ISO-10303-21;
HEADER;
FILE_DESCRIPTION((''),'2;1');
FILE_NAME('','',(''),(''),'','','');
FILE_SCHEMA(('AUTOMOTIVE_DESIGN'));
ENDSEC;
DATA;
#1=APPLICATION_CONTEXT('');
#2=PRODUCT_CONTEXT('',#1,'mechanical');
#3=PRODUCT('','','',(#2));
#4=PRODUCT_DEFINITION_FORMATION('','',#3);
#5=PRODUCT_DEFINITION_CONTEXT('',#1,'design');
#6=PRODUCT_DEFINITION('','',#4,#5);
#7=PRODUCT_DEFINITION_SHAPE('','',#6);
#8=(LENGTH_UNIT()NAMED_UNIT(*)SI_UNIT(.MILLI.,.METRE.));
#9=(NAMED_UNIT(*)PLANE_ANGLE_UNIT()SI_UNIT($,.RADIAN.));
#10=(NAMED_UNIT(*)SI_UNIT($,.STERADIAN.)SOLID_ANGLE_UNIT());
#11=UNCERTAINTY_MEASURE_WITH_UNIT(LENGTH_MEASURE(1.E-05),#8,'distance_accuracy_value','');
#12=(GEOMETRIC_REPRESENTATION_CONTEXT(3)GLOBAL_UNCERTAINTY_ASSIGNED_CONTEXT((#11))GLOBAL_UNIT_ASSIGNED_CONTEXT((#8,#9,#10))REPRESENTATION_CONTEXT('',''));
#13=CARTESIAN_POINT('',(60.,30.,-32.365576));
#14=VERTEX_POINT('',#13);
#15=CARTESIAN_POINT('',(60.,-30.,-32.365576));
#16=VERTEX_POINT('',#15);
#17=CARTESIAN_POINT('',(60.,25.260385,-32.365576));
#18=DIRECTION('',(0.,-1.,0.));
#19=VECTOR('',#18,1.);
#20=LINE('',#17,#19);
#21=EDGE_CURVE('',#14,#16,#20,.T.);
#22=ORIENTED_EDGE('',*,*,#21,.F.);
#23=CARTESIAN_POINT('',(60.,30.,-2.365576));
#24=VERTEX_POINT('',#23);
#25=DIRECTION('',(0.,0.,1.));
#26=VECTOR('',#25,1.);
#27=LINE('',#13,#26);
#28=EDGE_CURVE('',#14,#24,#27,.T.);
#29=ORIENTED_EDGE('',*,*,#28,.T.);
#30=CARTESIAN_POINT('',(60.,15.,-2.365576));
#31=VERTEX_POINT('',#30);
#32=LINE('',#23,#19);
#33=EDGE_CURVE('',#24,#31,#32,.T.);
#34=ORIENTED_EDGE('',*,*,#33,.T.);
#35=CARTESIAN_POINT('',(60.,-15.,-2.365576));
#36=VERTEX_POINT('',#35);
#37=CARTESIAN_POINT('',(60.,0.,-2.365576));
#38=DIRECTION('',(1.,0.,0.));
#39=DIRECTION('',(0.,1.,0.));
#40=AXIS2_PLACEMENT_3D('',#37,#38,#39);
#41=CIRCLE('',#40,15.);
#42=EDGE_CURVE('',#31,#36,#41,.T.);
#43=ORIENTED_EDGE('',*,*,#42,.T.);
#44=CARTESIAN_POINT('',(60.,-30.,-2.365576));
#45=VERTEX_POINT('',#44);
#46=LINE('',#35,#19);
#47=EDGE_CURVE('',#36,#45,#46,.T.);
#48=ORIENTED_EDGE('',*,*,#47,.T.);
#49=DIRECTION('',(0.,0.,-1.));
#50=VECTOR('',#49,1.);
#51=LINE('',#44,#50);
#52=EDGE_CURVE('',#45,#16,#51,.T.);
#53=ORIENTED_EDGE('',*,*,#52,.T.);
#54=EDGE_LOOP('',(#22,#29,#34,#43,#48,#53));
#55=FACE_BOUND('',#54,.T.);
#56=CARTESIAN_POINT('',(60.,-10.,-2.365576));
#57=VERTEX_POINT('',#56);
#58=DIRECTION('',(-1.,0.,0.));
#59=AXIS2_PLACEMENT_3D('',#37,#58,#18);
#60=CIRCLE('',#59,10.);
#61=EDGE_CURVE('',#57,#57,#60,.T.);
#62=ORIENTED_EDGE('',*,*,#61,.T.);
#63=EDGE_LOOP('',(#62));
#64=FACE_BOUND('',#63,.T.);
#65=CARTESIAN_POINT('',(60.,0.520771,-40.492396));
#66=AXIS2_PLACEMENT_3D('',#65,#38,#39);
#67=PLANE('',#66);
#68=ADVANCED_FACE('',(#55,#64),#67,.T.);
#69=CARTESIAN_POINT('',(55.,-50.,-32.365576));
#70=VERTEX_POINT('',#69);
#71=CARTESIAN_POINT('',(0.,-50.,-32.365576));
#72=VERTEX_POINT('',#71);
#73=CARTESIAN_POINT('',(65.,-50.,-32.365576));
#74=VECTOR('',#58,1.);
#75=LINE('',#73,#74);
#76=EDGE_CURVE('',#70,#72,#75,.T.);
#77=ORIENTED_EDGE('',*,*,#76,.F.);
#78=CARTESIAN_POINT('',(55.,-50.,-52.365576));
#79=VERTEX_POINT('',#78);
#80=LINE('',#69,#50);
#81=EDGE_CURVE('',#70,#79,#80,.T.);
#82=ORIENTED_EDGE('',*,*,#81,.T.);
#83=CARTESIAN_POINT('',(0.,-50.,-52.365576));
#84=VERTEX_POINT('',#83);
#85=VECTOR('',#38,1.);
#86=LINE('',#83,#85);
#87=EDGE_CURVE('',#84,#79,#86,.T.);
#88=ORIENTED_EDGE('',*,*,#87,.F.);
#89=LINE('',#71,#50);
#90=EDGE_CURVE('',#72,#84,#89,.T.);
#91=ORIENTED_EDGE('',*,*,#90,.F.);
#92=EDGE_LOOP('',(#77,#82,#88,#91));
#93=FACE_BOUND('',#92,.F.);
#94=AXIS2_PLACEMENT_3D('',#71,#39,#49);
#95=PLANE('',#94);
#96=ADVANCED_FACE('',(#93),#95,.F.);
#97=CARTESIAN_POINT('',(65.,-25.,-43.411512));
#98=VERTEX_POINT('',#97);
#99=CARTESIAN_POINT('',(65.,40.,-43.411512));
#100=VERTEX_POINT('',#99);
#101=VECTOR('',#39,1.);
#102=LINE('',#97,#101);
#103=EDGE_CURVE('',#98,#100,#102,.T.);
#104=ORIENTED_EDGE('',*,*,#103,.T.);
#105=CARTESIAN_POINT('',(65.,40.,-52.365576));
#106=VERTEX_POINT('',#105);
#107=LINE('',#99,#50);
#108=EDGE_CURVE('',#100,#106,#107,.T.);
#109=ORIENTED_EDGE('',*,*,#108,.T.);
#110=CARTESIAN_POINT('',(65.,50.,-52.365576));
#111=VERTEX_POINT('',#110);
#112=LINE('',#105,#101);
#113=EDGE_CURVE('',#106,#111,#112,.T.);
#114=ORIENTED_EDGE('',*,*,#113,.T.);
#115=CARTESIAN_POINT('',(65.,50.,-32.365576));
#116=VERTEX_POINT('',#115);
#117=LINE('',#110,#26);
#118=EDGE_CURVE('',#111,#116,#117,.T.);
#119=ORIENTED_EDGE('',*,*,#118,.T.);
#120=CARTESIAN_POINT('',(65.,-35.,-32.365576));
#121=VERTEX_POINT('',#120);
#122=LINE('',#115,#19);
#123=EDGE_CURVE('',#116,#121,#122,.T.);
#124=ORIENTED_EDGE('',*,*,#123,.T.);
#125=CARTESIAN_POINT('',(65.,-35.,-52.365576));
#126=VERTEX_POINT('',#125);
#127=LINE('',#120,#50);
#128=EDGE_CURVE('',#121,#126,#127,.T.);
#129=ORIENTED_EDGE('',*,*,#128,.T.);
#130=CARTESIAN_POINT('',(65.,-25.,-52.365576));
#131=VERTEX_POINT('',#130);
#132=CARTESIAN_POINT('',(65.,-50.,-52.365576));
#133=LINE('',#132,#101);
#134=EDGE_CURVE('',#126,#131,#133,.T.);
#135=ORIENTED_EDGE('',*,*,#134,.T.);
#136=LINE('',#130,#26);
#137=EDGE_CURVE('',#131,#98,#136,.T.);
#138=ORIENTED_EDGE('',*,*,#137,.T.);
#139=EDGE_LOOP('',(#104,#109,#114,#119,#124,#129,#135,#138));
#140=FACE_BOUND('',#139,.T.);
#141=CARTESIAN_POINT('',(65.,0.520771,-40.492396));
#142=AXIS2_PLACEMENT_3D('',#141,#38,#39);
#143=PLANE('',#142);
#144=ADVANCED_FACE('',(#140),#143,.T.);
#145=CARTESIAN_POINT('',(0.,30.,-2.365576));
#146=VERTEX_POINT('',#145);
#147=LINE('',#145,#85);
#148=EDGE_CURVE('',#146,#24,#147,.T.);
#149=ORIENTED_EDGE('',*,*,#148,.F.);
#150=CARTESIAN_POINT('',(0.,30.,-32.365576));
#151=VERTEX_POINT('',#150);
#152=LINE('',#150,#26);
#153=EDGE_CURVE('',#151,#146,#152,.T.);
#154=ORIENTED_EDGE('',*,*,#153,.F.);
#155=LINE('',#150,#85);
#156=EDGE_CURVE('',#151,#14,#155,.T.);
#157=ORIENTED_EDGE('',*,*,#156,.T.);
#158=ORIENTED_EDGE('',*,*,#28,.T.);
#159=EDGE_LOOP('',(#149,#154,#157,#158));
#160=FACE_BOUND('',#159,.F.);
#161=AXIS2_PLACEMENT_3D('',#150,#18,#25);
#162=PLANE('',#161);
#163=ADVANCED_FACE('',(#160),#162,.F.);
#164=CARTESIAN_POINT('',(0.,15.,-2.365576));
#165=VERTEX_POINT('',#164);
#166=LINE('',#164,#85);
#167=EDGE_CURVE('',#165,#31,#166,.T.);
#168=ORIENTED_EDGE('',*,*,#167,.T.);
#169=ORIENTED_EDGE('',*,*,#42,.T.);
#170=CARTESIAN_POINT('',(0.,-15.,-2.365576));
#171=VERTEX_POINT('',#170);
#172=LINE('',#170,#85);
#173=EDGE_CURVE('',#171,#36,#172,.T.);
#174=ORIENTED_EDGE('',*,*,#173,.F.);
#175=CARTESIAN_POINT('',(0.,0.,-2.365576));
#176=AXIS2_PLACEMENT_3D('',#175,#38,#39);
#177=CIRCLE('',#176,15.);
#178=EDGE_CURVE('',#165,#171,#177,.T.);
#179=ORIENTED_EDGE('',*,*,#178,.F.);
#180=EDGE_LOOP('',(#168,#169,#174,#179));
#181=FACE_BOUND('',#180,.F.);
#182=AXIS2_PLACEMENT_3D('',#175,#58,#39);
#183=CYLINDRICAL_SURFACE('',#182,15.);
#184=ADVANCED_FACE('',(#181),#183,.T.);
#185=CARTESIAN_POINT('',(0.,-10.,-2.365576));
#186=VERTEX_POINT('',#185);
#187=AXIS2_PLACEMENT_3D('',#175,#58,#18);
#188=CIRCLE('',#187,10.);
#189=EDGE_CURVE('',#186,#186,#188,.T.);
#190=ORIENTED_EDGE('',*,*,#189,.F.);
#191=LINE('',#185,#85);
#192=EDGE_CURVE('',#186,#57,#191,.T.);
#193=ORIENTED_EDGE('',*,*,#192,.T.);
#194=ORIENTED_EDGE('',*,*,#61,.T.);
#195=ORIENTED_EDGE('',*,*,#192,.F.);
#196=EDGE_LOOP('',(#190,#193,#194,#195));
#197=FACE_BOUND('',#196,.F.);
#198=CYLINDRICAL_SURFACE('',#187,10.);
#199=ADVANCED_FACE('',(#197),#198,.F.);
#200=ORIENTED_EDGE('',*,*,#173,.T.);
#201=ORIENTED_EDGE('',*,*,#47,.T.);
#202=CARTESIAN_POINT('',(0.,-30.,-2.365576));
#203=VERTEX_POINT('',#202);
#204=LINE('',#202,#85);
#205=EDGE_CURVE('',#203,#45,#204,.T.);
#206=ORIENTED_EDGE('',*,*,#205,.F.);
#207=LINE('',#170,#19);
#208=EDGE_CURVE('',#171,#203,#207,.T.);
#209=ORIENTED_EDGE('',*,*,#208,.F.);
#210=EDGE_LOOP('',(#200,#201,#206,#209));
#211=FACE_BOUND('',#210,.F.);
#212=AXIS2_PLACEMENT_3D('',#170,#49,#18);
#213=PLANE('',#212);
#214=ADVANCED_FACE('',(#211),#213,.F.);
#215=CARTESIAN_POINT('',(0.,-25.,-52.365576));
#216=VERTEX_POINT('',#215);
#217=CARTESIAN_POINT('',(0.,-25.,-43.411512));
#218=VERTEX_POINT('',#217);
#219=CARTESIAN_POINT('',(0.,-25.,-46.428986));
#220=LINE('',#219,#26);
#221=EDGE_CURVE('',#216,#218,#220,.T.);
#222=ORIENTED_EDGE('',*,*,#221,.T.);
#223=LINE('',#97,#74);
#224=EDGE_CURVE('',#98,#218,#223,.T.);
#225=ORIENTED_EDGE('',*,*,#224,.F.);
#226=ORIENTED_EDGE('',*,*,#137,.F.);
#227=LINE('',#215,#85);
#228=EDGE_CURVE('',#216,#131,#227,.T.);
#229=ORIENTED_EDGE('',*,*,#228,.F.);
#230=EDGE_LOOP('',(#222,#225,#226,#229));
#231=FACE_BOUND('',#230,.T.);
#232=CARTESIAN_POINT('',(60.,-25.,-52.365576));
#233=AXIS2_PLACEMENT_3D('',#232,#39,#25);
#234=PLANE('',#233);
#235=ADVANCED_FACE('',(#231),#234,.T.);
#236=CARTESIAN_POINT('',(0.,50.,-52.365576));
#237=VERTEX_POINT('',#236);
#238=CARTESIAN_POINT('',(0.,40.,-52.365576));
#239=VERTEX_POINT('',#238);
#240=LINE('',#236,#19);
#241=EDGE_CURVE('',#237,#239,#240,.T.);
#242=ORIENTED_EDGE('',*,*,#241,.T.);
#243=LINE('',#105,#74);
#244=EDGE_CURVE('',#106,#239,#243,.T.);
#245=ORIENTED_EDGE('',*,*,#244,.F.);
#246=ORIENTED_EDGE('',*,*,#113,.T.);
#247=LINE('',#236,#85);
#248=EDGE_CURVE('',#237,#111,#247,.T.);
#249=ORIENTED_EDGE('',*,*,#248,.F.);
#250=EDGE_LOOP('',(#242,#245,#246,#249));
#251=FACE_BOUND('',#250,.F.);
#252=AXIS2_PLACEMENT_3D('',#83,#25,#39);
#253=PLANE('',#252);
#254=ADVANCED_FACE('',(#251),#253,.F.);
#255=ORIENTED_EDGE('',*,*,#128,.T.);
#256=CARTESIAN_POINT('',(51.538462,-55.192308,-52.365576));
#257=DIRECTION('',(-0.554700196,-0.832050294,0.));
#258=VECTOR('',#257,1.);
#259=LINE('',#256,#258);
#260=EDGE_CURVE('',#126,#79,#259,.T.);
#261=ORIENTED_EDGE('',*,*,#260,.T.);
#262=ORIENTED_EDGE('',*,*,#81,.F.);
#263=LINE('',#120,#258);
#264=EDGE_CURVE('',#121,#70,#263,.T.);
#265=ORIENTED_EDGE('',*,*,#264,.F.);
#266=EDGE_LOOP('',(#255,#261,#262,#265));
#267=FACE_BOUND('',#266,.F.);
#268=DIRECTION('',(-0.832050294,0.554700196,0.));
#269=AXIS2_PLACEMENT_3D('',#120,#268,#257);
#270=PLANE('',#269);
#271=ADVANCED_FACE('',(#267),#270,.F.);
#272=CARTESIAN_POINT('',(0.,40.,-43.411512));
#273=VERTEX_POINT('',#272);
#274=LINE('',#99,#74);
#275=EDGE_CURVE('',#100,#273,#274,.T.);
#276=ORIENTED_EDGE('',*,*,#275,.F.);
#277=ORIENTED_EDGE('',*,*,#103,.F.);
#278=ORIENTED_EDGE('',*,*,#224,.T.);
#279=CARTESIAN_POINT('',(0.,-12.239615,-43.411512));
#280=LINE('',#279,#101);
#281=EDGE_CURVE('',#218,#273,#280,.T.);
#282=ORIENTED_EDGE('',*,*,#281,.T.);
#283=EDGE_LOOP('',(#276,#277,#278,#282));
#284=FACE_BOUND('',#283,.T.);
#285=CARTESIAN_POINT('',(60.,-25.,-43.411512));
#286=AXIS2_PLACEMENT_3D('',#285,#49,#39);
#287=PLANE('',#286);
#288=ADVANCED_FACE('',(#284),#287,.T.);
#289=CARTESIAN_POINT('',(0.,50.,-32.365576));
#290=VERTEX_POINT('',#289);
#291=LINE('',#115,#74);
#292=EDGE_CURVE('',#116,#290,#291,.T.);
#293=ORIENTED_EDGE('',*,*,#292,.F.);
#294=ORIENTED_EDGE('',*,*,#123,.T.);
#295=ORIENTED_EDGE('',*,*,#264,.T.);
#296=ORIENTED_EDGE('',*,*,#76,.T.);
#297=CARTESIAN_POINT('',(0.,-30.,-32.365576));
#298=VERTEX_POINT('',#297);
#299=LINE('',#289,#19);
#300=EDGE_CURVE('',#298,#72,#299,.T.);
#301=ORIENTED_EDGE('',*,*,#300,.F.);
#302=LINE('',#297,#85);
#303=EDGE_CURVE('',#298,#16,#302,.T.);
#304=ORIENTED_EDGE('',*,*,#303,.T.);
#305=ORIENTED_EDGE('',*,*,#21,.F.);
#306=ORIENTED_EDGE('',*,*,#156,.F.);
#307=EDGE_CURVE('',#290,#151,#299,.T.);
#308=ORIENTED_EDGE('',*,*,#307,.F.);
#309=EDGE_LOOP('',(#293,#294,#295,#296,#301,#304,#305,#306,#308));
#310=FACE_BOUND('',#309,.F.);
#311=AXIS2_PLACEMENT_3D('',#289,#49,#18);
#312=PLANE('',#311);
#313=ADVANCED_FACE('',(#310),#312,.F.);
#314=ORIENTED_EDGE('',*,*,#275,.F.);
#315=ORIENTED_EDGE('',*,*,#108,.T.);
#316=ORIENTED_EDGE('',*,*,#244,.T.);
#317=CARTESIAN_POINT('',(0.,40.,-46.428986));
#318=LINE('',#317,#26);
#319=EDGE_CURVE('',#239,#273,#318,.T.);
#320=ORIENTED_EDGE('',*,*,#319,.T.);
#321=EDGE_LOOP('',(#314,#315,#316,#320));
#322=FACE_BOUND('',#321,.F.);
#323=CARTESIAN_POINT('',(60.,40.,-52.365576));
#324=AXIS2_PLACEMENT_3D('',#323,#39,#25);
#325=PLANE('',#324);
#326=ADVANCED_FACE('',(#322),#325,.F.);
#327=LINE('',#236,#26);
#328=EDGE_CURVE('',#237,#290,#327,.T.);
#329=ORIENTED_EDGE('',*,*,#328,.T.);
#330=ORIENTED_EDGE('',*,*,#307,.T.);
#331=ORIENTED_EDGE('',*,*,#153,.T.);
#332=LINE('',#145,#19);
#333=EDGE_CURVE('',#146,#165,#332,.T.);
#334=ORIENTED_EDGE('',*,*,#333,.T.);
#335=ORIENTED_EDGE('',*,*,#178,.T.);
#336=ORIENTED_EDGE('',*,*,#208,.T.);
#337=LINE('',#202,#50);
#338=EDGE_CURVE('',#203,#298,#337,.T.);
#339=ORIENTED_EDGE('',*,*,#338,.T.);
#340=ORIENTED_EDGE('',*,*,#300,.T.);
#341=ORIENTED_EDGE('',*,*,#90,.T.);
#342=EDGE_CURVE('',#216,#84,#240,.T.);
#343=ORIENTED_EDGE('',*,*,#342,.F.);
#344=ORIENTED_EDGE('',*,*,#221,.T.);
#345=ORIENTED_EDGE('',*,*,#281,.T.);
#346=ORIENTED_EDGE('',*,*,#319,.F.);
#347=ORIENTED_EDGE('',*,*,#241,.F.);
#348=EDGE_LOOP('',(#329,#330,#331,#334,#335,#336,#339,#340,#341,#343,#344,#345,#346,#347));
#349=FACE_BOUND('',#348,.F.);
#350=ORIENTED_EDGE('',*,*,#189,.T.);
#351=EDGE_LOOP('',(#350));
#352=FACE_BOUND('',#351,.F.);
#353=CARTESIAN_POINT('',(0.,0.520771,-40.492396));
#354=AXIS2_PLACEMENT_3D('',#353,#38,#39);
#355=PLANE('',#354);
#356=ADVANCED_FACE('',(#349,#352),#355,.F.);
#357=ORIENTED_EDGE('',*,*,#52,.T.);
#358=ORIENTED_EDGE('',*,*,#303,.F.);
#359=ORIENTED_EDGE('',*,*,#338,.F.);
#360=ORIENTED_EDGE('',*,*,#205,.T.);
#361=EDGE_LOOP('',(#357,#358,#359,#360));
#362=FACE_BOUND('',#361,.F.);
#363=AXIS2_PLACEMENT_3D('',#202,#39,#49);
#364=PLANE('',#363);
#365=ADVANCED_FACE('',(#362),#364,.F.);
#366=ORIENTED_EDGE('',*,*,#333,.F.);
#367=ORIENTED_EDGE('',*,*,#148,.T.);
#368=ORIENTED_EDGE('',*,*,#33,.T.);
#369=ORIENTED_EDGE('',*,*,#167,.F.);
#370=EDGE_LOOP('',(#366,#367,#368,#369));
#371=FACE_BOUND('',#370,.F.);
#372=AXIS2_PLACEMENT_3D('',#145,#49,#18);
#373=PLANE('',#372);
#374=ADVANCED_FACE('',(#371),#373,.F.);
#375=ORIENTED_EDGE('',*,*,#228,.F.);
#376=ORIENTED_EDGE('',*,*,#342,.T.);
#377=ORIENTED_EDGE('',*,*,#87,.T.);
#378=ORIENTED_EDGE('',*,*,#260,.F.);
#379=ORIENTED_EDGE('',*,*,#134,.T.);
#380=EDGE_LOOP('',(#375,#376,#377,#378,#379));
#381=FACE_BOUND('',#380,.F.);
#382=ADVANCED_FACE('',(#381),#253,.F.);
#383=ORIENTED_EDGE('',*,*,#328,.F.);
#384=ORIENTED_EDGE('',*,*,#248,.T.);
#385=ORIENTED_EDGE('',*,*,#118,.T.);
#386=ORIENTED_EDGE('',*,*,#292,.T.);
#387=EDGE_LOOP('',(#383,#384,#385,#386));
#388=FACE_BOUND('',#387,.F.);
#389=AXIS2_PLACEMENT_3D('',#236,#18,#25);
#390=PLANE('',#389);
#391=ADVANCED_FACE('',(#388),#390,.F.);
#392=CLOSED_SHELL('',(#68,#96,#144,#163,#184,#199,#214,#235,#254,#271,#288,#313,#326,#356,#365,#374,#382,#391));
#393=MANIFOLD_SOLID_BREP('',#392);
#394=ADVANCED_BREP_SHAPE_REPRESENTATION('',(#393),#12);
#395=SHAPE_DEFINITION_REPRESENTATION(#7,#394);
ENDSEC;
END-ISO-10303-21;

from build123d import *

# Parameters (mm, degrees)
F1_DEPTH = 65
F0_W     = 65
F0_H     = 8.9540635944
F2_DEPTH = 60
F3_W     = 65
F3_H     = 8.9540635944
F4_DEPTH = 100
F6_DEPTH = 25


with BuildPart() as f1:
    # F0 (on Right) → F1 (new body)
    with BuildSketch(Plane.YZ):
        Polygon((-30, -32.3655755222), (-50, -32.3655755222), (-50, -52.3655755222), (-25, -52.3655755222), (-25, -43.4115119278), (40, -43.4115119278), (40, -52.3655755222), (50, -52.3655755222), (50, -32.3655755222), (30, -32.3655755222), align=None)
    extrude(amount=F1_DEPTH)

    # F0 (on Right) → F2 (join)
    with BuildSketch(Plane.YZ):
        Polygon((-30, -32.3655755222), (-50, -32.3655755222), (-50, -52.3655755222), (-25, -52.3655755222), (-25, -43.4115119278), (40, -43.4115119278), (40, -52.3655755222), (50, -52.3655755222), (50, -32.3655755222), (30, -32.3655755222), align=None)
        with BuildLine():
            Line((-30, -2.3655755222), (-30, -32.3655755222))
            Line((-30, -32.3655755222), (30, -32.3655755222))
            Line((30, -32.3655755222), (30, -2.3655755222))
            Line((30, -2.3655755222), (15, -2.3655755222))
            ThreePointArc((15, -2.3655755222), (0, -17.3655755222), (-15, -2.3655755222))
            Line((-15, -2.3655755222), (-30, -2.3655755222))
        make_face()
        with Locations((7.5, -47.888543725)):
            Rectangle(F0_W, F0_H)
        with BuildLine():
            ThreePointArc((15, -2.3655755222), (0, 12.6344244778), (-15, -2.3655755222))
            Line((-15, -2.3655755222), (-10, -2.3655755222))
            ThreePointArc((-10, -2.3655755222), (0, 7.6344244778), (10, -2.3655755222))
            Line((10, -2.3655755222), (15, -2.3655755222))
        make_face()
        with BuildLine():
            Line((-10, -2.3655755222), (-15, -2.3655755222))
            ThreePointArc((-15, -2.3655755222), (0, -17.3655755222), (15, -2.3655755222))
            Line((15, -2.3655755222), (10, -2.3655755222))
            ThreePointArc((10, -2.3655755222), (0, -12.3655755222), (-10, -2.3655755222))
        make_face()
    extrude(amount=F2_DEPTH)

    # F3 (on face) → F4 (cut)
    with BuildSketch(Plane.YZ.offset(60)):
        with Locations((7.5, -47.888543725)):
            Rectangle(F3_W, F3_H)
    extrude(amount=-F4_DEPTH, mode=Mode.SUBTRACT)

    # F5 (on face) → F6 (cut)
    with BuildSketch(Plane.XY.offset(-32.3655755222)):
        Polygon((65, -35), (55, -50), (65, -50), align=None)
    extrude(amount=-F6_DEPTH, mode=Mode.SUBTRACT)


solid = f1.part
